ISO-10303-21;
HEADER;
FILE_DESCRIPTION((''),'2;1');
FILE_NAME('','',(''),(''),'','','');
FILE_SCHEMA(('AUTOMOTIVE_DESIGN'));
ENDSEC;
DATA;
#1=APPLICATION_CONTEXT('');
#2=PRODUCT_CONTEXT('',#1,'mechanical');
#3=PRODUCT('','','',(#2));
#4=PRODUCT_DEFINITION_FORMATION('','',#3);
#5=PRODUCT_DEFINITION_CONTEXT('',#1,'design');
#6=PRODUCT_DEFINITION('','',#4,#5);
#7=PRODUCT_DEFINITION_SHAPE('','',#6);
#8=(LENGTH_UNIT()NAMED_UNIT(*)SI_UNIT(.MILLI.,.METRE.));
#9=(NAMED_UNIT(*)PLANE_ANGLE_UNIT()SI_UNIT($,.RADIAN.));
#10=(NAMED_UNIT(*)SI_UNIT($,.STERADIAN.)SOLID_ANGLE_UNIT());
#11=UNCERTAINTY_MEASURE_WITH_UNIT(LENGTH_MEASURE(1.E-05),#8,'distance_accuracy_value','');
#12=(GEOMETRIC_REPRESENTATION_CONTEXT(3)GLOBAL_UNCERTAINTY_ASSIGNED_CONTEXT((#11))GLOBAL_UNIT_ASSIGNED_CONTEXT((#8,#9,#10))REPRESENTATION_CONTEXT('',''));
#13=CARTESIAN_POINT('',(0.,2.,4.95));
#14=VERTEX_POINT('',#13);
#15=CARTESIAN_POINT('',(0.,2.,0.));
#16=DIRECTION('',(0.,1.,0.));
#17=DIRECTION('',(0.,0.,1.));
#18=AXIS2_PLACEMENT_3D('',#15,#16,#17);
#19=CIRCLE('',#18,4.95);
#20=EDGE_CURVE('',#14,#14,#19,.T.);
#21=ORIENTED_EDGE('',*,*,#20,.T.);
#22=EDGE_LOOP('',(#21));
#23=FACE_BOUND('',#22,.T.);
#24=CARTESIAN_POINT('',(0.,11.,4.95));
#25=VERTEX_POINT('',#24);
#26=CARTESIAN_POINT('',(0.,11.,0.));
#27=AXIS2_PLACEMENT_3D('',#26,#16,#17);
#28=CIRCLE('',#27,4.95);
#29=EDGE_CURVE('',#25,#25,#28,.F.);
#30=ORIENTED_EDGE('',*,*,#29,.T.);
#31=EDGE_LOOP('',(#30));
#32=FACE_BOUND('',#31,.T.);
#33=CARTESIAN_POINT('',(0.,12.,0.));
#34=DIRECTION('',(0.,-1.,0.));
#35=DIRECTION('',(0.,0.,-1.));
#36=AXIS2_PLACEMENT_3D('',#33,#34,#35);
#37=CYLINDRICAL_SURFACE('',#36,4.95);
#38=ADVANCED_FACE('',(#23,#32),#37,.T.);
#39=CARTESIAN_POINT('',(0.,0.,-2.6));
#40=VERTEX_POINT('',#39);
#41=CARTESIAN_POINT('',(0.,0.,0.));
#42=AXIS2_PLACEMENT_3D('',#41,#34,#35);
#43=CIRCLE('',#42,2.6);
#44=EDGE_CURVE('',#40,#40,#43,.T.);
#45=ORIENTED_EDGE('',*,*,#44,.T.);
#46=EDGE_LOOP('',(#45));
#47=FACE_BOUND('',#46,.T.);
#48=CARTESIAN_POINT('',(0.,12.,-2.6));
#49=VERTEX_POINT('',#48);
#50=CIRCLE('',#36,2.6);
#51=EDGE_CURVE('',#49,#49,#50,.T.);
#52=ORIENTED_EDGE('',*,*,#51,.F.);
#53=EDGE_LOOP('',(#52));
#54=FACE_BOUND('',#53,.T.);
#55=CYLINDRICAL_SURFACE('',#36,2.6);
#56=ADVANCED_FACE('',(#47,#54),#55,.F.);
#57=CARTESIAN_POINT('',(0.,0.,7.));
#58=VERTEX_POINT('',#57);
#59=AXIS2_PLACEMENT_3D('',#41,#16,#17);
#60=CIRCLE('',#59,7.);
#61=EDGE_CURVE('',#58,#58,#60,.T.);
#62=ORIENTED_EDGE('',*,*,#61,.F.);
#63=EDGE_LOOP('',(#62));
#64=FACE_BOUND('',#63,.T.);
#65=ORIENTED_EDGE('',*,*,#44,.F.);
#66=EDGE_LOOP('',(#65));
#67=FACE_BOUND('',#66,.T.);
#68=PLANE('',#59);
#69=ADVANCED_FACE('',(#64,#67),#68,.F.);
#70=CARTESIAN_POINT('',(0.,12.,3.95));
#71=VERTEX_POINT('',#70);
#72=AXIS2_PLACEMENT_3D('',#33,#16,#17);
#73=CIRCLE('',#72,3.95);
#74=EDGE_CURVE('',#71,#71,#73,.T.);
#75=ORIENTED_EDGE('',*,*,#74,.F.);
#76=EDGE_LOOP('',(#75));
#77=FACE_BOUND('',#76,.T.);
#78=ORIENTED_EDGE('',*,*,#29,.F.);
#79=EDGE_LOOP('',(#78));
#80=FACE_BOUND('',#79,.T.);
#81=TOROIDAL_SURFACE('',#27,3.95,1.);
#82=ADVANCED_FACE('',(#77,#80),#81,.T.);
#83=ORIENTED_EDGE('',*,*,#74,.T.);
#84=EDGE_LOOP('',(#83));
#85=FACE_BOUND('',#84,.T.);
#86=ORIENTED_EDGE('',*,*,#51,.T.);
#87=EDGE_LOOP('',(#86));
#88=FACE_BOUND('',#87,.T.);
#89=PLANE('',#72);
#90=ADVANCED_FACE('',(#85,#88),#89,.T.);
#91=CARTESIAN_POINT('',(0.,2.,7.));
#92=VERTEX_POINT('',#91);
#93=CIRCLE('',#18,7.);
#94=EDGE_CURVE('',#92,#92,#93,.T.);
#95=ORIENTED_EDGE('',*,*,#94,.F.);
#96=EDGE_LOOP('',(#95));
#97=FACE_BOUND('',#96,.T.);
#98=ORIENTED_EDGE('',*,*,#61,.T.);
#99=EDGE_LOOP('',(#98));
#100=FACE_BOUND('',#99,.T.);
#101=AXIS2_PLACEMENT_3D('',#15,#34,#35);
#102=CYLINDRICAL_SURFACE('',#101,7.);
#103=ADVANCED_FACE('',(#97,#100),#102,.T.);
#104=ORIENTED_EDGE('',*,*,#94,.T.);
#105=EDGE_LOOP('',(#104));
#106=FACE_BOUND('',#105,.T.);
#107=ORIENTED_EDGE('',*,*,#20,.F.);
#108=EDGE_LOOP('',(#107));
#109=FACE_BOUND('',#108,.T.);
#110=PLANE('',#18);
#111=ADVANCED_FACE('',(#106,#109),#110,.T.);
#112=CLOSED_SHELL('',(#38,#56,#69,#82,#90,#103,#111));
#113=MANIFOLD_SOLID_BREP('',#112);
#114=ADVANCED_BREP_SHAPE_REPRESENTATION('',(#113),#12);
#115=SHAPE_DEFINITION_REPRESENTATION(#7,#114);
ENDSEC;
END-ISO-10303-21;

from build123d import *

# Parameters (mm, degrees)
SKETCH1_R           = 7
BOSS_EXTRUDE1_DEPTH = 2
SKETCH2_R           = 4.95
BOSS_EXTRUDE2_DEPTH = 10
SKETCH3_R           = 2.6
CUT_EXTRUDE1_DEPTH  = 13
FILLET1_R           = 1


with BuildPart() as part:
    # Sketch1 → Boss-Extrude1 (new body)
    with BuildSketch(Plane(origin=(0, 0, 0), x_dir=(1, 0, 0), z_dir=(0, 1, 0))):
        Circle(SKETCH1_R)
    extrude(amount=BOSS_EXTRUDE1_DEPTH)

    # Sketch2 → Boss-Extrude2 (add)
    with BuildSketch(Plane(origin=(0, 2, 0), x_dir=(1, 0, 0), z_dir=(0, 1, 0))):
        Circle(SKETCH2_R)
    extrude(amount=BOSS_EXTRUDE2_DEPTH)

    # Sketch3 → Cut-Extrude1 (cut, through all)
    with BuildSketch(Plane.XZ):
        Circle(SKETCH3_R)
    extrude(amount=-CUT_EXTRUDE1_DEPTH, mode=Mode.SUBTRACT)

    # Fillet1
    fillet1_edges = [part.edges().sort_by_distance(p)[0] for p in [
        (-4.95, 12, 0),
    ]]
    fillet(fillet1_edges, radius=FILLET1_R)


solid = part.part
